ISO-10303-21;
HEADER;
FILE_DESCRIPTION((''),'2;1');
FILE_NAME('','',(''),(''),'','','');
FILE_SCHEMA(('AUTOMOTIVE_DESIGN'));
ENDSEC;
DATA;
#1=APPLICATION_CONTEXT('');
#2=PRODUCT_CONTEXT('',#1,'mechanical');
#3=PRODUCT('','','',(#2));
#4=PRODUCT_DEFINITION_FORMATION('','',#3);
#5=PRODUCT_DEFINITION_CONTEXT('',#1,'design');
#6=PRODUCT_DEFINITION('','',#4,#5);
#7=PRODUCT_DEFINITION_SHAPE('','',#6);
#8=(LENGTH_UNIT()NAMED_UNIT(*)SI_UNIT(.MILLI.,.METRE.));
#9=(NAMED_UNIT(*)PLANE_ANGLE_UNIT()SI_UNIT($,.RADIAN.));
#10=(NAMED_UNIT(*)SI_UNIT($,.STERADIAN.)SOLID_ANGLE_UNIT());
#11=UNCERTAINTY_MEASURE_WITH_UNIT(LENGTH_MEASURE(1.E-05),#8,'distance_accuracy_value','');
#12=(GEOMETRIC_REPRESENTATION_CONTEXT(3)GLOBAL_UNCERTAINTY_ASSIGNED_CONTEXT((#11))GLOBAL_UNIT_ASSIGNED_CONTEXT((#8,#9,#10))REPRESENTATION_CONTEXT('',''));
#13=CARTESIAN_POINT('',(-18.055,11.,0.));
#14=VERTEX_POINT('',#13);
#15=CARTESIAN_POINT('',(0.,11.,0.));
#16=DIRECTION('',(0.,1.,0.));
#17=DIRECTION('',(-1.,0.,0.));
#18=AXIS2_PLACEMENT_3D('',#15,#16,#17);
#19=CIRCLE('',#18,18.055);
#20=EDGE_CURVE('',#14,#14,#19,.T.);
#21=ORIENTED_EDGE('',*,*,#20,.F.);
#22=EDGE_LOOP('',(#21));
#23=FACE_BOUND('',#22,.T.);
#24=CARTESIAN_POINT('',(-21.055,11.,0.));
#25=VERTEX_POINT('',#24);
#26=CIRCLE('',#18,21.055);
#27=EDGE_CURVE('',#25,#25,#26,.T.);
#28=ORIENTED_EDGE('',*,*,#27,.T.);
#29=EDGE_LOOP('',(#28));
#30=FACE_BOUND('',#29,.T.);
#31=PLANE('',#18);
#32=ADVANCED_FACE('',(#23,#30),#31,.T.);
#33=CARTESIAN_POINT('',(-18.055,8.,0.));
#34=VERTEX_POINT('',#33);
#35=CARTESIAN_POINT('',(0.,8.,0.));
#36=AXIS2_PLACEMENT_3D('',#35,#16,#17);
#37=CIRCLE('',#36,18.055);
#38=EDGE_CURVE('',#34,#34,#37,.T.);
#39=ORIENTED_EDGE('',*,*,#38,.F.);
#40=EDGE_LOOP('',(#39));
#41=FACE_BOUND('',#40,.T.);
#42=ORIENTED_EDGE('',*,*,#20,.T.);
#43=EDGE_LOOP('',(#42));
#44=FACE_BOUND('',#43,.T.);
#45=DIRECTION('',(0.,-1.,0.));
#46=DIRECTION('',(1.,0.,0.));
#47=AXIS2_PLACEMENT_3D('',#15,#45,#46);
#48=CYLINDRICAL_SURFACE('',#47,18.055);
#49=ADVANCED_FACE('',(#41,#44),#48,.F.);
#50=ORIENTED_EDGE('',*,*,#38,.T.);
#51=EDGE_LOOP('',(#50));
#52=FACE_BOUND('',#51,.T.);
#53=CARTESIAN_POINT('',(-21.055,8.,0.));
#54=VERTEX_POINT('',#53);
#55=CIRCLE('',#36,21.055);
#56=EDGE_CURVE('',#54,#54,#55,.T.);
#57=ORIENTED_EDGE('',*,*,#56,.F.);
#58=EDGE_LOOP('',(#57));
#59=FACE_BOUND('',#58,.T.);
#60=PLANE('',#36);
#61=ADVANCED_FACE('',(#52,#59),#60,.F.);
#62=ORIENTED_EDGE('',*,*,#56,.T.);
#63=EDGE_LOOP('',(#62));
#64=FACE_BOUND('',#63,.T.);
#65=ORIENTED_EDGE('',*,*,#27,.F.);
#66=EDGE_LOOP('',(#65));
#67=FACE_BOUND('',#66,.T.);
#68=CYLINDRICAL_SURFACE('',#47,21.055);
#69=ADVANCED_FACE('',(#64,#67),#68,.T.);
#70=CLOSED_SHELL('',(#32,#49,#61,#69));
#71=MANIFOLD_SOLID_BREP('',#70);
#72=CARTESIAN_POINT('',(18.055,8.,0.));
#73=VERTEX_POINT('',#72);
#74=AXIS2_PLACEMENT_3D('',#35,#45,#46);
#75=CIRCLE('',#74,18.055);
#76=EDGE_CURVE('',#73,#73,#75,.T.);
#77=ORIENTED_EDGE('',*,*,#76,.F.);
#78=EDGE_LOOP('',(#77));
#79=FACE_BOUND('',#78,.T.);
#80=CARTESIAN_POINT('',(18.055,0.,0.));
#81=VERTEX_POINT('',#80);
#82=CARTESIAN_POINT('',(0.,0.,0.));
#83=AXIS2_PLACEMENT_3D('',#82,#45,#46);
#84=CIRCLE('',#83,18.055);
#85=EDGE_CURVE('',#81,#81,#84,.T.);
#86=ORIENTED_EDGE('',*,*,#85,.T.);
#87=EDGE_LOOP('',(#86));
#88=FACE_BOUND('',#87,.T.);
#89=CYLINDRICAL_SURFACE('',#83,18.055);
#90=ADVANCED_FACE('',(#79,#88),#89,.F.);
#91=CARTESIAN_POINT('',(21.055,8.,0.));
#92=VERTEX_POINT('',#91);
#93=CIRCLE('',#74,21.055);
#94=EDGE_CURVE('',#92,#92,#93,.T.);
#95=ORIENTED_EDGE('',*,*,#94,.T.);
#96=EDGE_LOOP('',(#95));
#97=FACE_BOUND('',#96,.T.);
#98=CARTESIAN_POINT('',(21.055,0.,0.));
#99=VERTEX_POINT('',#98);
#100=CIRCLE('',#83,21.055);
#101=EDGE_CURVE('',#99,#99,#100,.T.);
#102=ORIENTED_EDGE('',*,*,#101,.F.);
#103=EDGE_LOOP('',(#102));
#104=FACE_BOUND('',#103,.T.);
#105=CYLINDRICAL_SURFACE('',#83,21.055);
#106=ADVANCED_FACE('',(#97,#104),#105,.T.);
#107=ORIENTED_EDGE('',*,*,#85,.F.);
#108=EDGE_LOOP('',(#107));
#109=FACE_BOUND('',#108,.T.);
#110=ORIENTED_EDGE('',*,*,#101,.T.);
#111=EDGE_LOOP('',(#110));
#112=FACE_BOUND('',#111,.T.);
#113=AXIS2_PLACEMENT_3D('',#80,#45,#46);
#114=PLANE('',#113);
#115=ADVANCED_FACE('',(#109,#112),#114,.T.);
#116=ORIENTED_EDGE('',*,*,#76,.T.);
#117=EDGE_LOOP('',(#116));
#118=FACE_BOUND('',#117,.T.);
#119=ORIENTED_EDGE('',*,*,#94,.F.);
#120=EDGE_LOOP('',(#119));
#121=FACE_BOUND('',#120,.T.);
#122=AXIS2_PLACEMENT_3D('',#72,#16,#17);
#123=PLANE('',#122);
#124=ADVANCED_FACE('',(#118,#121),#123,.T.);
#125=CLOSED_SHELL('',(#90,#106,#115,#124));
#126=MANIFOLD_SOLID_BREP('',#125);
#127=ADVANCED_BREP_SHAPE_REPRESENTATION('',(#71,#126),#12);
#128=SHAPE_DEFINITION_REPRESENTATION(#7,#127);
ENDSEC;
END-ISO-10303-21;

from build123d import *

# Parameters (mm, degrees)
SKETCH1_W           = 3
SKETCH1_H           = 8
SKETCH2_R           = 21.055
SKETCH2_R_2         = 18.055
BOSS_EXTRUDE1_DEPTH = 3


with BuildPart() as part:
    # Sketch1 → Revolve1 (revolve)
    with BuildSketch(Plane.XY):
        with Locations((19.555, 4)):
            Rectangle(SKETCH1_W, SKETCH1_H)
    revolve(axis=Axis((0, 0, 0), (0, 1, 0)))


with BuildPart() as body_2:
    # Sketch2 → Boss-Extrude1 (new body)
    with BuildSketch(Plane(origin=(0, 8, 0), x_dir=(1, 0, 0), z_dir=(0, 1, 0))):
        Circle(SKETCH2_R)
        Circle(SKETCH2_R_2, mode=Mode.SUBTRACT)
    extrude(amount=BOSS_EXTRUDE1_DEPTH)


solid = Compound([part.part, body_2.part])
